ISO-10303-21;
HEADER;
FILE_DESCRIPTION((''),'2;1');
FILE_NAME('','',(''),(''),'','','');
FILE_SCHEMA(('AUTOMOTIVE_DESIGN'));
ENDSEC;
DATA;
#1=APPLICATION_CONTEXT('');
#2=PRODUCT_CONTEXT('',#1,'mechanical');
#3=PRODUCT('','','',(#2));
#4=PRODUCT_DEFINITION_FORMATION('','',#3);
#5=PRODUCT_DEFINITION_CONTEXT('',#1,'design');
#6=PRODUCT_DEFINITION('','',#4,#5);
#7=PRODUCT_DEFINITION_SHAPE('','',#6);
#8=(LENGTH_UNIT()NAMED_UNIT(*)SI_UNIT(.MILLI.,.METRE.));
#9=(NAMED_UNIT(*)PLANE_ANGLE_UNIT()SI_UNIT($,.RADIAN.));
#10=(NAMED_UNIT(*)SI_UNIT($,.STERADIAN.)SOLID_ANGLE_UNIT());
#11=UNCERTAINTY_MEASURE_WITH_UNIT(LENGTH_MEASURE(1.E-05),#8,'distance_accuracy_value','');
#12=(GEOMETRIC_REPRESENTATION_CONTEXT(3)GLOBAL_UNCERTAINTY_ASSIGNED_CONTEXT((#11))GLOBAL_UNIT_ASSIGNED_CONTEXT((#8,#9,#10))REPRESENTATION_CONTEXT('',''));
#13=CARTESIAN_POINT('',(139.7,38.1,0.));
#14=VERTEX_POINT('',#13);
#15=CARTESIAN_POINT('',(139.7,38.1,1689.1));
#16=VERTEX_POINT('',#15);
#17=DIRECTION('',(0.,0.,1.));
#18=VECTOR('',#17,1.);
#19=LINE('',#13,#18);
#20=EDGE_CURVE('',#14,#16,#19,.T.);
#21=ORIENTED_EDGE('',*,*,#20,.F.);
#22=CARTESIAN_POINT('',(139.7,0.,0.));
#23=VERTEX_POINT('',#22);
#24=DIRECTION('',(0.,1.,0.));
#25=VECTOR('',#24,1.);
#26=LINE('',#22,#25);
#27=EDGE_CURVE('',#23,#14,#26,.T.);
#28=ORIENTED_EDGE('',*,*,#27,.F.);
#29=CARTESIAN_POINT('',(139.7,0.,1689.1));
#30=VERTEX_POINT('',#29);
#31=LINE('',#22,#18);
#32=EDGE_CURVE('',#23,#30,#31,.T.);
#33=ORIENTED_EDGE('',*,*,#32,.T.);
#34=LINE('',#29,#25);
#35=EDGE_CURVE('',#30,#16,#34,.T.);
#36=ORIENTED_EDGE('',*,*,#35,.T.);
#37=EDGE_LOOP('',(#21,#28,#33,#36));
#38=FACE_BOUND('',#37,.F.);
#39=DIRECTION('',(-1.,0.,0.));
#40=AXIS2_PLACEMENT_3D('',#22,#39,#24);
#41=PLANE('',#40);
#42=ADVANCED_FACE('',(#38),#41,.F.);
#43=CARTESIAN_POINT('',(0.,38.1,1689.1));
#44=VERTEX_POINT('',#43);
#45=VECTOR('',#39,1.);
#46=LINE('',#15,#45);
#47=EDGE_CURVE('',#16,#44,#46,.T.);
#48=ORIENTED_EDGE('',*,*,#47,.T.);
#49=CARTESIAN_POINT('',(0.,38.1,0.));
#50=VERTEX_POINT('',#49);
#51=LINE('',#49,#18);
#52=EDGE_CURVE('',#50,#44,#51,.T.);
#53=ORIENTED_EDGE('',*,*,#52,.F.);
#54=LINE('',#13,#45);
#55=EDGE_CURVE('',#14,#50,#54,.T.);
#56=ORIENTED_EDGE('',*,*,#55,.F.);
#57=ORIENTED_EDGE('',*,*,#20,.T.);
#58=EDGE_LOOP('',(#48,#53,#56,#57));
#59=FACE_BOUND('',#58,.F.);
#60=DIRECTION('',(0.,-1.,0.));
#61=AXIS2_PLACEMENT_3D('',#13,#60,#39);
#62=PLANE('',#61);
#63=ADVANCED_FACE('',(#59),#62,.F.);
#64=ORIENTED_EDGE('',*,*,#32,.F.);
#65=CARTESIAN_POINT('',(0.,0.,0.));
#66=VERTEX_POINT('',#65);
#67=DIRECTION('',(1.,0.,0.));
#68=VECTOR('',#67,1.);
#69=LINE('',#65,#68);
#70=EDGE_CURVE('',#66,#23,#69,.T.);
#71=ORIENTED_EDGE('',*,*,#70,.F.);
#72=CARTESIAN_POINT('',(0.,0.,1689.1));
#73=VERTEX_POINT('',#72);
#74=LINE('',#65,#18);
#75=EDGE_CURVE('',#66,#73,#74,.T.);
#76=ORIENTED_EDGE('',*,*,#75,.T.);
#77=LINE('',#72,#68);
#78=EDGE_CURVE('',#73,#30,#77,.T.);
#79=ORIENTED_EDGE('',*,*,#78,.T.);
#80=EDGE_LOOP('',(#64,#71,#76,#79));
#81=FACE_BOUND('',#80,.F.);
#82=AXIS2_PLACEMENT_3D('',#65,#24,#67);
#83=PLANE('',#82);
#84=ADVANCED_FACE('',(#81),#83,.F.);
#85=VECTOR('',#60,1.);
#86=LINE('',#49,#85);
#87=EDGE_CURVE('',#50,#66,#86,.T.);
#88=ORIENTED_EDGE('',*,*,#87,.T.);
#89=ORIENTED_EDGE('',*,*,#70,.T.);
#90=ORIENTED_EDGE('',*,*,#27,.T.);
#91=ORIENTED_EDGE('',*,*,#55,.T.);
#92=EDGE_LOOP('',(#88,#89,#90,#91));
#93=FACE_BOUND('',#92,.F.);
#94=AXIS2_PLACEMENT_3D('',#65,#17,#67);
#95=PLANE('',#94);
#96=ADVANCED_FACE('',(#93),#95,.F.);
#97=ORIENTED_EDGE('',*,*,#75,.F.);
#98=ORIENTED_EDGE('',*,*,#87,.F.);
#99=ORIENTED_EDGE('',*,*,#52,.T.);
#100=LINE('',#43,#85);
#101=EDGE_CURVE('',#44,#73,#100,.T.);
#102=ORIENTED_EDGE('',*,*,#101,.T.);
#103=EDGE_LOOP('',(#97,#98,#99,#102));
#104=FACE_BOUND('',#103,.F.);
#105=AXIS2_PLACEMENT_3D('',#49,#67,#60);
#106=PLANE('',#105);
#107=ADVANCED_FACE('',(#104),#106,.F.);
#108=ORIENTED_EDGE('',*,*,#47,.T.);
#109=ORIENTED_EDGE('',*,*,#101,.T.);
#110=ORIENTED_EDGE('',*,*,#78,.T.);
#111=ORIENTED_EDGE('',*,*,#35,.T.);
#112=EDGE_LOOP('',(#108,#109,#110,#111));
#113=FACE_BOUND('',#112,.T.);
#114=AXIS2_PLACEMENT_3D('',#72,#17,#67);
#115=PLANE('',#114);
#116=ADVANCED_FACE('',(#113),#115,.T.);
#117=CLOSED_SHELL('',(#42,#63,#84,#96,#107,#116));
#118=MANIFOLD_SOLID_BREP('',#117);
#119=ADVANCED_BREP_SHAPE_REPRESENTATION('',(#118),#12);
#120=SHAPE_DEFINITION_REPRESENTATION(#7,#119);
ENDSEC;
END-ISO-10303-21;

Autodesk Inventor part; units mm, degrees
ref_plane "YZ Plane" through (0, 0, 0) normal (1, 0, 0) x (0, 1, 0)
ref_plane "XZ Plane" through (0, 0, 0) normal (0, 1, 0) x (-1, 0, 0)
ref_plane "XY Plane" through (0, 0, 0) normal (0, 0, 1) x (1, 0, 0)
sketch "Sketch1" plane through (0, 0, 0) normal (0, 0, 1) x (1, 0, 0)
  line L0 (0, 0) -> (139.7, 0)
  line L1 (139.7, 0) -> (139.7, 38.1)
  line L2 (139.7, 38.1) -> (0, 38.1)
  line L3 (0, 38.1) -> (0, 0)
  dimension "d0" = 139.7
  dimension "d1" = 38.1
extrude "Extrusion1" add sketch "Sketch1" along normal blind 1689.1
properties part number "Plate_With_Length_66.5_Inches" material "Wood (Birch)"
